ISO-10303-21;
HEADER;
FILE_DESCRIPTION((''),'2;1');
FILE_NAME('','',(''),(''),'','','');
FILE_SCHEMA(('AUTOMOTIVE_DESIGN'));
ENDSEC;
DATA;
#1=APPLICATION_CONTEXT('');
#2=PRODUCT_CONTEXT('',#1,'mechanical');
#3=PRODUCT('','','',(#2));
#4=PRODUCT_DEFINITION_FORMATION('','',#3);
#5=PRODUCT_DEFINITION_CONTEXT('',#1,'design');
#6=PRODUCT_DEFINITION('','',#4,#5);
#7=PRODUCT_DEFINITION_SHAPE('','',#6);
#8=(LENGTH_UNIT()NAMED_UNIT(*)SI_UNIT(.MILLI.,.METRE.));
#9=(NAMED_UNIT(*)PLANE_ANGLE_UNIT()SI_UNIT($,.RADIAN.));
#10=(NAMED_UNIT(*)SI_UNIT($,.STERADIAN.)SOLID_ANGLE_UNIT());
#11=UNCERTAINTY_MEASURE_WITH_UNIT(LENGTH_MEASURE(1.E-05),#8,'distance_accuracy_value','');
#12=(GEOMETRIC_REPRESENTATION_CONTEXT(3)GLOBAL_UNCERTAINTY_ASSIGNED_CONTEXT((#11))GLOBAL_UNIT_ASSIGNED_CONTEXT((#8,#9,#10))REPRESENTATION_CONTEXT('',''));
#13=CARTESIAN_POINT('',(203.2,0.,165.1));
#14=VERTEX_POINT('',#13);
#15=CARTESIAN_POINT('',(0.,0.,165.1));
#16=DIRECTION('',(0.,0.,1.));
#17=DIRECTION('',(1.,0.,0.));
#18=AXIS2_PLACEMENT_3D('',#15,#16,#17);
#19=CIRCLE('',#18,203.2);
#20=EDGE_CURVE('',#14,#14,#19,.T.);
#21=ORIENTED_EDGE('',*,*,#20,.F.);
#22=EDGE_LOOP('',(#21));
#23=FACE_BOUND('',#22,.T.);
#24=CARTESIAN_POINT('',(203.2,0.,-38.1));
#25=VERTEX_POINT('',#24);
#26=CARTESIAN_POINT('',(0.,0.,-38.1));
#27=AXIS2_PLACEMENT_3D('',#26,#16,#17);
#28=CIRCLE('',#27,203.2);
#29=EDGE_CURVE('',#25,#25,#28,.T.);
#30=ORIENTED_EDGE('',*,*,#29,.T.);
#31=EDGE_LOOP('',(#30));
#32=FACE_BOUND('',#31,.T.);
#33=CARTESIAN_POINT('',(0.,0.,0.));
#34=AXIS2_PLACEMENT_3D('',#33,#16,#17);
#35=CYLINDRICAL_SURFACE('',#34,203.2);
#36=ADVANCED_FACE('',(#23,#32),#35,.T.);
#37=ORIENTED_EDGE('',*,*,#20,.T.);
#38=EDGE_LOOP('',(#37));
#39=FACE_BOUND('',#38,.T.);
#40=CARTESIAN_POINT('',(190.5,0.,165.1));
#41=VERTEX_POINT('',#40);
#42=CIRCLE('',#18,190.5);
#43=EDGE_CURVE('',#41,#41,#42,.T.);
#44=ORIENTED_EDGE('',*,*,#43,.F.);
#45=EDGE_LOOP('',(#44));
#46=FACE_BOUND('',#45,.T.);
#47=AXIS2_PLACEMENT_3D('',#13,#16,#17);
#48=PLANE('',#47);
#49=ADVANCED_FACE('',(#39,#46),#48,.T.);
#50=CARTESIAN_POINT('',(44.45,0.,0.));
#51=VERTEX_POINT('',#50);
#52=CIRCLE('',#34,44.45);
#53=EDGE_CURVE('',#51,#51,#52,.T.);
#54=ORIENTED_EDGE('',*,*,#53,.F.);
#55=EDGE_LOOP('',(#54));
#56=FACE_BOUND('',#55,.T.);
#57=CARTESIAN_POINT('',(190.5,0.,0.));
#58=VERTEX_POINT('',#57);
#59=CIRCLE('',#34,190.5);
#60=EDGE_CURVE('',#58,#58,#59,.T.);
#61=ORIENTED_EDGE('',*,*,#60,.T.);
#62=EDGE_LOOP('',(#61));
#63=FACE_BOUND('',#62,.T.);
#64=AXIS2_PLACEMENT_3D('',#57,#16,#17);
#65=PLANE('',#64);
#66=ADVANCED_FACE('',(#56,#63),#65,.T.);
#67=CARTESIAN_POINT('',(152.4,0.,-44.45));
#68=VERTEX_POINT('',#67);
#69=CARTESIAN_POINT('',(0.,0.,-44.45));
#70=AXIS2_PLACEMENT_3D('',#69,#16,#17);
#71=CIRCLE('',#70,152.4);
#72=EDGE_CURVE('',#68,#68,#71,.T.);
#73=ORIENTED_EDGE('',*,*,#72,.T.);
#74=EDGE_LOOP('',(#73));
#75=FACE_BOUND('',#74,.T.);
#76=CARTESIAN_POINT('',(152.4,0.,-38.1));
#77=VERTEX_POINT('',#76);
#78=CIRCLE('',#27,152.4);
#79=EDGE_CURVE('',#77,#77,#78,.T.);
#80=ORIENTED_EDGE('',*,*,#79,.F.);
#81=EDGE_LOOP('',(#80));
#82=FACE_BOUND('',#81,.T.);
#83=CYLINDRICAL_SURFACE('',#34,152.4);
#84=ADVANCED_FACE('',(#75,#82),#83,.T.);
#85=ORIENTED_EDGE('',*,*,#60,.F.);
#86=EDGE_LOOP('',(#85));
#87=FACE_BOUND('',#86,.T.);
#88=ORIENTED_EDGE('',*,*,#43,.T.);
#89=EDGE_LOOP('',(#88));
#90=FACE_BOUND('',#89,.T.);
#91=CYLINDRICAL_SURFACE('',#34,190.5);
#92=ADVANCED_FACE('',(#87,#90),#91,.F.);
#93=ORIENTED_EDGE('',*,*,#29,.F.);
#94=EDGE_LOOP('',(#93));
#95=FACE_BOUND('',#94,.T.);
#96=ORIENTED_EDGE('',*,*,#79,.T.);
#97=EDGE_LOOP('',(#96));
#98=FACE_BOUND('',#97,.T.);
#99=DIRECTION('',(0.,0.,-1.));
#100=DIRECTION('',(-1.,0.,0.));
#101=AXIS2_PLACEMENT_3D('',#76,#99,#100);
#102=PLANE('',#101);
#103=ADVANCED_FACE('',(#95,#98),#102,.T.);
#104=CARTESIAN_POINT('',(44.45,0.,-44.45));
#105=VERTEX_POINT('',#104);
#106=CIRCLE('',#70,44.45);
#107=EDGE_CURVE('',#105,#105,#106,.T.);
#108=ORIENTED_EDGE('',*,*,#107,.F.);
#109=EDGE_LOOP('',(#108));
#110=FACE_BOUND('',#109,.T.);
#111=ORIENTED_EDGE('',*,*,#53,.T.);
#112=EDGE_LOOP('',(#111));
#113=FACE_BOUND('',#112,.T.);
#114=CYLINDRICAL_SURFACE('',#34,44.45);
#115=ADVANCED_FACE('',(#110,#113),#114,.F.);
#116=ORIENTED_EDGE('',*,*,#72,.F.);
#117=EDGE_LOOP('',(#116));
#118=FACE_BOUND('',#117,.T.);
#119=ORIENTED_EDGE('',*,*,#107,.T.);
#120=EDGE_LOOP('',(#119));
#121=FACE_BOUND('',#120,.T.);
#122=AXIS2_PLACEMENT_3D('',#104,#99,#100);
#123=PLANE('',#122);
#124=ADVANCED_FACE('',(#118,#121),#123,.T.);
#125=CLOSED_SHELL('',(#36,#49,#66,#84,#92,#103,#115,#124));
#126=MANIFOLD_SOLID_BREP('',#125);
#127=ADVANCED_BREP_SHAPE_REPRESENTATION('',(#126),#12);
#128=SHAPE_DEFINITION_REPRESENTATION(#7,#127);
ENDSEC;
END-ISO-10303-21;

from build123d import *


with BuildPart() as part:
    # Sketch1 → Revolve1 (revolve)
    with BuildSketch(Plane(origin=(0, 0, 0), x_dir=(1, 0, 0), z_dir=(0, 1, 0))):
        Polygon((44.45, 0), (44.45, 44.45), (152.4, 44.45), (152.4, 38.1), (203.2, 38.1), (203.2, -165.1), (190.5, -165.1), (190.5, 0), align=None)
    revolve(axis=Axis((0, 0, 0), (0, 0, -1)))


solid = part.part
